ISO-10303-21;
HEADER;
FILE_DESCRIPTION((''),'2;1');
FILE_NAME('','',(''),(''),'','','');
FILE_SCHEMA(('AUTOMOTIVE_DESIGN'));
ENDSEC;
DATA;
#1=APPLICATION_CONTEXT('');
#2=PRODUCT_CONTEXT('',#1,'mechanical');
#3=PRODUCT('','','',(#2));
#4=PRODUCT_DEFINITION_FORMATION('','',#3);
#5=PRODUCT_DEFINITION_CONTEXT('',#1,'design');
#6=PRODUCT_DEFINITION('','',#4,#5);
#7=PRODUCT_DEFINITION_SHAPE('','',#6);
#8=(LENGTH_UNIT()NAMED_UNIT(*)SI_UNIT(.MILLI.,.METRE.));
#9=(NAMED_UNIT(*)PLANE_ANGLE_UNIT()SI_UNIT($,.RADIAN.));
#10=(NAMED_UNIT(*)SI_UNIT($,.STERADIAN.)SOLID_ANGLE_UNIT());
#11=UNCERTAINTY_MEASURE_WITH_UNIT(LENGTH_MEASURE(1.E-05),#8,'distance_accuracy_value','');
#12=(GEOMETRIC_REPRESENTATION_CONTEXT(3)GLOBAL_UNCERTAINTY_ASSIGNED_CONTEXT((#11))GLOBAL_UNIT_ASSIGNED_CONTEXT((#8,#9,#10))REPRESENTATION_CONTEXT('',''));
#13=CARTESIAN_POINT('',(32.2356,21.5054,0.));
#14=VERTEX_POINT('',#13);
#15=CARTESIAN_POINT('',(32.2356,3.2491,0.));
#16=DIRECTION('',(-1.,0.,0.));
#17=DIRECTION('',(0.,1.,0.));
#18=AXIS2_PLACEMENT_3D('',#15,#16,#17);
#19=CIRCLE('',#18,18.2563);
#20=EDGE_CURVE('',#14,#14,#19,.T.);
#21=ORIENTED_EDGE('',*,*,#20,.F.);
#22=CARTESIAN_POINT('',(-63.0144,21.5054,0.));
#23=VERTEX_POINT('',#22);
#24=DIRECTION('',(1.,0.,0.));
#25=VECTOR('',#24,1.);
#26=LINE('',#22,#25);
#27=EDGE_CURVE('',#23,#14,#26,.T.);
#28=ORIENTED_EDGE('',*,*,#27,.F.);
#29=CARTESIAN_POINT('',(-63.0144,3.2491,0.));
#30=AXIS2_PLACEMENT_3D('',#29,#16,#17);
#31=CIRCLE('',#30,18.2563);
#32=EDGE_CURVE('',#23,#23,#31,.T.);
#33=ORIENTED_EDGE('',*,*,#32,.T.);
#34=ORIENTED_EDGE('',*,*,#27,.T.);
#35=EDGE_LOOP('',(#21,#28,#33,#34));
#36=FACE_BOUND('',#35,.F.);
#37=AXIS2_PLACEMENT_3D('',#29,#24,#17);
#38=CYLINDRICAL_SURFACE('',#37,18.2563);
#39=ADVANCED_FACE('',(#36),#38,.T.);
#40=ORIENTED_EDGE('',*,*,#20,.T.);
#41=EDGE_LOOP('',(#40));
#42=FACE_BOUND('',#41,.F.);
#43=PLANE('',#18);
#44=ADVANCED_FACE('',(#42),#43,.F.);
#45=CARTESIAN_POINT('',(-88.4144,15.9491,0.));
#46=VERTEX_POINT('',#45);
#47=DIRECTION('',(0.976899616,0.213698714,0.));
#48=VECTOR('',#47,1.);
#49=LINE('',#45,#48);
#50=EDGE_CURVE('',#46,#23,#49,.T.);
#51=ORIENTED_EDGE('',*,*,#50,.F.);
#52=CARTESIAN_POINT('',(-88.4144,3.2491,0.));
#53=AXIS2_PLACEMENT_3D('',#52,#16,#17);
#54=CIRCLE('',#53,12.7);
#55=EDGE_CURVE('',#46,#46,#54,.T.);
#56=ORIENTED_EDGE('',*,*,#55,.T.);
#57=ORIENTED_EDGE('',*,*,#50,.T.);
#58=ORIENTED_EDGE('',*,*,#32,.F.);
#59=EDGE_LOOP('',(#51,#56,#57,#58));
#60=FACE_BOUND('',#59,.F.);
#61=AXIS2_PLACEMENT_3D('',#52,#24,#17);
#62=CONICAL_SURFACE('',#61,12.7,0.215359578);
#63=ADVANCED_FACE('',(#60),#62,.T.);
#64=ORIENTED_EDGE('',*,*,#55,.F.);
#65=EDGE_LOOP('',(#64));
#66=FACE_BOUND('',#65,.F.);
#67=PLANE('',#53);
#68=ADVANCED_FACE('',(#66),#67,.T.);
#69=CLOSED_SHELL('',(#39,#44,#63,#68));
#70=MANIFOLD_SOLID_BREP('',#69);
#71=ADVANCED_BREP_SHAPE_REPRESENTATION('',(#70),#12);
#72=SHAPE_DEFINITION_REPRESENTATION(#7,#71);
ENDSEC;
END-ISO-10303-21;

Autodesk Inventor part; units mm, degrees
ref_plane "YZ Plane" through (0, 0, 0) normal (1, 0, 0) x (0, 1, 0)
ref_plane "XZ Plane" through (0, 0, 0) normal (0, 1, 0) x (-1, 0, 0)
ref_plane "XY Plane" through (0, 0, 0) normal (0, 0, 1) x (1, 0, 0)
sketch "Sketch1" plane through (0, 0, 0) normal (0, 0, 1) x (1, 0, 0)
  line L0 (-63.0144, 21.5054) -> (32.2356, 21.5054)
  line L1 (32.2356, 21.5054) -> (32.2356, 3.2491)
  line L2 (32.2356, 3.2491) -> (-88.4144, 3.2491)
  line L3 (-88.4144, 3.2491) -> (-88.4144, 15.9491)
  line L4 (-88.4144, 15.9491) -> (-63.0144, 21.5054)
  dimension "d0" = 18.2563
  dimension "d1" = 25.4
  dimension "d2" = 12.7
  dimension "d3" = 120.65
revolve "Revolution1" add sketch "Sketch1" angle 360 about axis through (32.2356, 3.2491, 0) along (-1, 0, 0)
properties part number "GE-09031-03"
